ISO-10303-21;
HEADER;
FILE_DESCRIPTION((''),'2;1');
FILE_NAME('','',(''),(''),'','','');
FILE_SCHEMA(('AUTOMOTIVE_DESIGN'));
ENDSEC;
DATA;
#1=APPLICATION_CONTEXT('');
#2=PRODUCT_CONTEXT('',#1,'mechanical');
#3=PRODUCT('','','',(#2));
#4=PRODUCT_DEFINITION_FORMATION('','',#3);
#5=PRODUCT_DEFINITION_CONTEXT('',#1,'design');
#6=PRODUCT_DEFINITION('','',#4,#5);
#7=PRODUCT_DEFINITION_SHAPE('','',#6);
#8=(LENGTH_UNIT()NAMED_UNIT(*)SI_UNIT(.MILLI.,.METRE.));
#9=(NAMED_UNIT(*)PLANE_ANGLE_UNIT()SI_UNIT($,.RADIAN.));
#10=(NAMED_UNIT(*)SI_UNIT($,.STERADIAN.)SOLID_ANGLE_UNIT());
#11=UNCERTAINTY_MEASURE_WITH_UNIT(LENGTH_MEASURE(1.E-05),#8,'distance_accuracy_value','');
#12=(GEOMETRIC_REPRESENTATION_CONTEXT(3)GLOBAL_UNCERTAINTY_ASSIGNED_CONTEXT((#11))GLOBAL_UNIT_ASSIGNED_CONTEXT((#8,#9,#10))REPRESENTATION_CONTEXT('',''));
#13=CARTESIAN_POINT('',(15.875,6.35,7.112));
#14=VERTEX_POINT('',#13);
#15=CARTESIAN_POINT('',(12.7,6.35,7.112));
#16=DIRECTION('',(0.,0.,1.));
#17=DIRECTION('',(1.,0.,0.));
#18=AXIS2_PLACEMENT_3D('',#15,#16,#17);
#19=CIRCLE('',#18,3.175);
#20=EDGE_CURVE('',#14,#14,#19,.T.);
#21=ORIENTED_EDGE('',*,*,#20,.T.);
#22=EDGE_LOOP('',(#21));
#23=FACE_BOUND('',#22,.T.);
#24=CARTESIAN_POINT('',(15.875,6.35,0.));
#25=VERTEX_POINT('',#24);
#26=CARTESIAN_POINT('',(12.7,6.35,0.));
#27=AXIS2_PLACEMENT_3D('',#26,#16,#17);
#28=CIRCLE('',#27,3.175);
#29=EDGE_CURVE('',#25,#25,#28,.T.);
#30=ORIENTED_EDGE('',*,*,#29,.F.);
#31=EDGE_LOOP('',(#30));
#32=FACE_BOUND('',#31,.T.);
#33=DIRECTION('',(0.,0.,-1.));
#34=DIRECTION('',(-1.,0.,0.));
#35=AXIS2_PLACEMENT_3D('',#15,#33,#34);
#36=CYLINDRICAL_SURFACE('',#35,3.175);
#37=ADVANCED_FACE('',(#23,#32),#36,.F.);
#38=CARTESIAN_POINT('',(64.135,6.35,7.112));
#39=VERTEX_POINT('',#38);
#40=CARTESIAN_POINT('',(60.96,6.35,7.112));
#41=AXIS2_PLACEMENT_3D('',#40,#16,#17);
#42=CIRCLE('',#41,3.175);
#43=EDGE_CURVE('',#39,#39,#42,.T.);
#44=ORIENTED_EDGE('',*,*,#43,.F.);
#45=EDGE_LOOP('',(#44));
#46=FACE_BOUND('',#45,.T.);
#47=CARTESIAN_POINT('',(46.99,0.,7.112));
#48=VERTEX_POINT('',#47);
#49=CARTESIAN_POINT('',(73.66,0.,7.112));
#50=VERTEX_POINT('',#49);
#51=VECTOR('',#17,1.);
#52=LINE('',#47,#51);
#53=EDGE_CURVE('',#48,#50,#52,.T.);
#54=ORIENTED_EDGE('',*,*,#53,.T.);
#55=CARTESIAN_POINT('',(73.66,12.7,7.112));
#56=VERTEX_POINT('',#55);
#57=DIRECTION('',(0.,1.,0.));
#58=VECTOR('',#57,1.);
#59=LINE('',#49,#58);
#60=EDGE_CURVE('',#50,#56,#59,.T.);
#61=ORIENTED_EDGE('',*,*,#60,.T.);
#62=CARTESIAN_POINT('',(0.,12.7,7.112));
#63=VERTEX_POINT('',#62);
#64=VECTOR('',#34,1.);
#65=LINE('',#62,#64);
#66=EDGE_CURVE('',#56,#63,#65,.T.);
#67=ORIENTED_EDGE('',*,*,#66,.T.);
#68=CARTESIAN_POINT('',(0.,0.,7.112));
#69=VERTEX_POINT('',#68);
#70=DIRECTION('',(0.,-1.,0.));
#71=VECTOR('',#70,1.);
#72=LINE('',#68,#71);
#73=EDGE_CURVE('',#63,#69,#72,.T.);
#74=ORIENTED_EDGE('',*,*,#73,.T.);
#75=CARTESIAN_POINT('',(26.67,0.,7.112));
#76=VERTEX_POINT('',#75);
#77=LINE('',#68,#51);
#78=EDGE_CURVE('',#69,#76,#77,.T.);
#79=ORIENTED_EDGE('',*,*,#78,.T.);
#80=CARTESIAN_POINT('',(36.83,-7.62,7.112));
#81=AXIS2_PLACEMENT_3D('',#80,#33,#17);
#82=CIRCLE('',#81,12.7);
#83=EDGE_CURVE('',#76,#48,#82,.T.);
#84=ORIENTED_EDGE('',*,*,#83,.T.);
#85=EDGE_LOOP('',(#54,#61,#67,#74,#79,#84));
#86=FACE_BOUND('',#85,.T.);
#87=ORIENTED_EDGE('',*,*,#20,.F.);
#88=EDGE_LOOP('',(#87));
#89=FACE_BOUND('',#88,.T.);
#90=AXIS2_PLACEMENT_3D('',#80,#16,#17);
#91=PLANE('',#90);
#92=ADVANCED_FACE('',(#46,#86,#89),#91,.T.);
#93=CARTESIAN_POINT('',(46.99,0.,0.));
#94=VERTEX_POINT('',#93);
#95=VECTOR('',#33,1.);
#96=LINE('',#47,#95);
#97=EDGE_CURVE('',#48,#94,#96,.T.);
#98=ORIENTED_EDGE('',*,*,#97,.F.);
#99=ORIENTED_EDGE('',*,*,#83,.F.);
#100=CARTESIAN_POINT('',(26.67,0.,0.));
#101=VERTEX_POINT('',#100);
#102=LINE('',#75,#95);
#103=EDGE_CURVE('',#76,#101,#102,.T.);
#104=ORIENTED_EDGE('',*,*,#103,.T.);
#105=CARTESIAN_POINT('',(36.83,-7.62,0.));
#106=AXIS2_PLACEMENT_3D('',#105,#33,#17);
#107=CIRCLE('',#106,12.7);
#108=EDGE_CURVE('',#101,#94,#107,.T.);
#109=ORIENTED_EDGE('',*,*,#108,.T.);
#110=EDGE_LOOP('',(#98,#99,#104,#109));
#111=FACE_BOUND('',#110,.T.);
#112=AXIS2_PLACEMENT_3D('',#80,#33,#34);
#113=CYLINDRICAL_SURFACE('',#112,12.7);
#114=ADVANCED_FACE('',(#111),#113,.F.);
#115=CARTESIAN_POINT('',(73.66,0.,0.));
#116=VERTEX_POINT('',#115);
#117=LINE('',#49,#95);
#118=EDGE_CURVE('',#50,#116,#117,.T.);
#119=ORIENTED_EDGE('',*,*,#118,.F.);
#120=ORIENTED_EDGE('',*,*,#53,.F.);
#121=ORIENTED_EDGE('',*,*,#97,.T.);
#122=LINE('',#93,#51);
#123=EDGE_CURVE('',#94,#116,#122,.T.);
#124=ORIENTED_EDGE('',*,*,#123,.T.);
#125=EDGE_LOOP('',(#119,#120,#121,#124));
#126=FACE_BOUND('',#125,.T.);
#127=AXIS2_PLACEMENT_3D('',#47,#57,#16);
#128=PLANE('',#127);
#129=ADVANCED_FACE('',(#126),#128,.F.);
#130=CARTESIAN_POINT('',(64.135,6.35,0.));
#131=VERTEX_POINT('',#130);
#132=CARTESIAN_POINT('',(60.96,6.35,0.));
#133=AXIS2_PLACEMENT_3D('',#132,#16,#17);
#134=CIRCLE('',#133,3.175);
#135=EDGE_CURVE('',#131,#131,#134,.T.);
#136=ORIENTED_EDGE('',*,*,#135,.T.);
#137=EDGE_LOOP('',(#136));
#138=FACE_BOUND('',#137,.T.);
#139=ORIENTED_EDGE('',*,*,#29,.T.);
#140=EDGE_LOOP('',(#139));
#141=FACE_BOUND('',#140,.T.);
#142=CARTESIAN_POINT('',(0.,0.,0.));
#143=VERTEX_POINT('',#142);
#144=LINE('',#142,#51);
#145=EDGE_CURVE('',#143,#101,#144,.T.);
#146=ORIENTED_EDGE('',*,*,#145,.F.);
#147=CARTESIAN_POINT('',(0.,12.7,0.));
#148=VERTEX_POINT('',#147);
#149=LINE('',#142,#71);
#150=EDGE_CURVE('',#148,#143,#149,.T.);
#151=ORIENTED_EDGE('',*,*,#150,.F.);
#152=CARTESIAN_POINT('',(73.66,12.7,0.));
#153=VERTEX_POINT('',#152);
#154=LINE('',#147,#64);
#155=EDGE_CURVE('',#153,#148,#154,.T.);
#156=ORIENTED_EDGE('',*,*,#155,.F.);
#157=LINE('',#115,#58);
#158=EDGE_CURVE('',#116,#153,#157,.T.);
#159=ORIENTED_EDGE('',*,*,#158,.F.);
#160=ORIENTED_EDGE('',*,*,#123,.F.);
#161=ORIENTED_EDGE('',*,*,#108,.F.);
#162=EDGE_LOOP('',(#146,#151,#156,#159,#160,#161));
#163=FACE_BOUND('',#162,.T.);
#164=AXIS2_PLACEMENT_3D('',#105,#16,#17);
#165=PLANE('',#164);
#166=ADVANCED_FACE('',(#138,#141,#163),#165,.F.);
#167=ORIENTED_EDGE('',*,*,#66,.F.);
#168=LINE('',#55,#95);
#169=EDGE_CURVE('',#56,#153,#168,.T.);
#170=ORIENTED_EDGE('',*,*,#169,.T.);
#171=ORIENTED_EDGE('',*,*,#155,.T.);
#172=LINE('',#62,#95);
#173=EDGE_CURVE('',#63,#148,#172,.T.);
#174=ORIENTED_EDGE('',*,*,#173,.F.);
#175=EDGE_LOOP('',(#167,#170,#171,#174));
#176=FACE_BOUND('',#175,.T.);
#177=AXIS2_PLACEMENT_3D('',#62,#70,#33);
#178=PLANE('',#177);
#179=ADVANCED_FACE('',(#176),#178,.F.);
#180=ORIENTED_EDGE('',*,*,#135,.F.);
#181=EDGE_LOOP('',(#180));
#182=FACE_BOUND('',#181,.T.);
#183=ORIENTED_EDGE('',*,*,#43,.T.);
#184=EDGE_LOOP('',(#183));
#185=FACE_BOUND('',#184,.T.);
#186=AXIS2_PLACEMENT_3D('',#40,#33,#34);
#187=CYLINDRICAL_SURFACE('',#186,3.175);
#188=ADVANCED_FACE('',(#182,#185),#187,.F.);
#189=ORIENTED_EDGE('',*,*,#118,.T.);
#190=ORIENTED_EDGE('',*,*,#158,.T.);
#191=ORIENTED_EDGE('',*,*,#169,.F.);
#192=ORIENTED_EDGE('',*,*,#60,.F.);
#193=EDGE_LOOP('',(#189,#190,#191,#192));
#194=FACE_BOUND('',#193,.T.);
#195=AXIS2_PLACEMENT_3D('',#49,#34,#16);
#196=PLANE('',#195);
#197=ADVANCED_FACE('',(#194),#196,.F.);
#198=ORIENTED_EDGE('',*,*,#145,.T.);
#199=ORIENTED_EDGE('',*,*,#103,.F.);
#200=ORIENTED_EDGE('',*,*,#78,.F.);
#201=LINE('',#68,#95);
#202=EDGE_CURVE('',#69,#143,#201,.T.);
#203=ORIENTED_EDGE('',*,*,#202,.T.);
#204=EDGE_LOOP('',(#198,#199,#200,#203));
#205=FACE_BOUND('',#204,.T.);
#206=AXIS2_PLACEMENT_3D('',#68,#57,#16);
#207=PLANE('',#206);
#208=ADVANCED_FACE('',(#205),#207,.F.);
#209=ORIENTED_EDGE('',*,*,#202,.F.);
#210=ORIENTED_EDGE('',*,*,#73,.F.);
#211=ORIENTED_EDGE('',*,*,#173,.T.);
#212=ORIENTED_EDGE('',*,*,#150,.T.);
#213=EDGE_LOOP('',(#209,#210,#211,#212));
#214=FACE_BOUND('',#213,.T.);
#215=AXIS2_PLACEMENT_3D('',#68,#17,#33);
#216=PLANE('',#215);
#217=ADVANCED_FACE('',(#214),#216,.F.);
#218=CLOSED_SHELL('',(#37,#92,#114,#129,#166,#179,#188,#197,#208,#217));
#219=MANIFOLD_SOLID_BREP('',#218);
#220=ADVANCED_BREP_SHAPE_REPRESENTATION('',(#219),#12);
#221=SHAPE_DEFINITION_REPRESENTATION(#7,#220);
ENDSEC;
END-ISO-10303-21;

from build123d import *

# Parameters (mm, degrees)
SKETCH1_R           = 3.175
BOSS_EXTRUDE1_DEPTH = 7.112


with BuildPart() as part:
    # Sketch1 → Boss-Extrude1 (new body)
    with BuildSketch(Plane.XY):
        with BuildLine():
            Line((46.99, 0), (73.66, 0))
            Line((73.66, 0), (73.66, 12.7))
            Line((73.66, 12.7), (0, 12.7))
            Line((0, 12.7), (0, 0))
            Line((0, 0), (26.67, 0))
            ThreePointArc((26.67, 0), (36.83, 5.08), (46.99, 0))
        make_face()
        with Locations((12.7, 6.35)):
            Circle(SKETCH1_R, mode=Mode.SUBTRACT)
        with Locations((60.96, 6.35)):
            Circle(SKETCH1_R, mode=Mode.SUBTRACT)
    extrude(amount=BOSS_EXTRUDE1_DEPTH)


solid = part.part
